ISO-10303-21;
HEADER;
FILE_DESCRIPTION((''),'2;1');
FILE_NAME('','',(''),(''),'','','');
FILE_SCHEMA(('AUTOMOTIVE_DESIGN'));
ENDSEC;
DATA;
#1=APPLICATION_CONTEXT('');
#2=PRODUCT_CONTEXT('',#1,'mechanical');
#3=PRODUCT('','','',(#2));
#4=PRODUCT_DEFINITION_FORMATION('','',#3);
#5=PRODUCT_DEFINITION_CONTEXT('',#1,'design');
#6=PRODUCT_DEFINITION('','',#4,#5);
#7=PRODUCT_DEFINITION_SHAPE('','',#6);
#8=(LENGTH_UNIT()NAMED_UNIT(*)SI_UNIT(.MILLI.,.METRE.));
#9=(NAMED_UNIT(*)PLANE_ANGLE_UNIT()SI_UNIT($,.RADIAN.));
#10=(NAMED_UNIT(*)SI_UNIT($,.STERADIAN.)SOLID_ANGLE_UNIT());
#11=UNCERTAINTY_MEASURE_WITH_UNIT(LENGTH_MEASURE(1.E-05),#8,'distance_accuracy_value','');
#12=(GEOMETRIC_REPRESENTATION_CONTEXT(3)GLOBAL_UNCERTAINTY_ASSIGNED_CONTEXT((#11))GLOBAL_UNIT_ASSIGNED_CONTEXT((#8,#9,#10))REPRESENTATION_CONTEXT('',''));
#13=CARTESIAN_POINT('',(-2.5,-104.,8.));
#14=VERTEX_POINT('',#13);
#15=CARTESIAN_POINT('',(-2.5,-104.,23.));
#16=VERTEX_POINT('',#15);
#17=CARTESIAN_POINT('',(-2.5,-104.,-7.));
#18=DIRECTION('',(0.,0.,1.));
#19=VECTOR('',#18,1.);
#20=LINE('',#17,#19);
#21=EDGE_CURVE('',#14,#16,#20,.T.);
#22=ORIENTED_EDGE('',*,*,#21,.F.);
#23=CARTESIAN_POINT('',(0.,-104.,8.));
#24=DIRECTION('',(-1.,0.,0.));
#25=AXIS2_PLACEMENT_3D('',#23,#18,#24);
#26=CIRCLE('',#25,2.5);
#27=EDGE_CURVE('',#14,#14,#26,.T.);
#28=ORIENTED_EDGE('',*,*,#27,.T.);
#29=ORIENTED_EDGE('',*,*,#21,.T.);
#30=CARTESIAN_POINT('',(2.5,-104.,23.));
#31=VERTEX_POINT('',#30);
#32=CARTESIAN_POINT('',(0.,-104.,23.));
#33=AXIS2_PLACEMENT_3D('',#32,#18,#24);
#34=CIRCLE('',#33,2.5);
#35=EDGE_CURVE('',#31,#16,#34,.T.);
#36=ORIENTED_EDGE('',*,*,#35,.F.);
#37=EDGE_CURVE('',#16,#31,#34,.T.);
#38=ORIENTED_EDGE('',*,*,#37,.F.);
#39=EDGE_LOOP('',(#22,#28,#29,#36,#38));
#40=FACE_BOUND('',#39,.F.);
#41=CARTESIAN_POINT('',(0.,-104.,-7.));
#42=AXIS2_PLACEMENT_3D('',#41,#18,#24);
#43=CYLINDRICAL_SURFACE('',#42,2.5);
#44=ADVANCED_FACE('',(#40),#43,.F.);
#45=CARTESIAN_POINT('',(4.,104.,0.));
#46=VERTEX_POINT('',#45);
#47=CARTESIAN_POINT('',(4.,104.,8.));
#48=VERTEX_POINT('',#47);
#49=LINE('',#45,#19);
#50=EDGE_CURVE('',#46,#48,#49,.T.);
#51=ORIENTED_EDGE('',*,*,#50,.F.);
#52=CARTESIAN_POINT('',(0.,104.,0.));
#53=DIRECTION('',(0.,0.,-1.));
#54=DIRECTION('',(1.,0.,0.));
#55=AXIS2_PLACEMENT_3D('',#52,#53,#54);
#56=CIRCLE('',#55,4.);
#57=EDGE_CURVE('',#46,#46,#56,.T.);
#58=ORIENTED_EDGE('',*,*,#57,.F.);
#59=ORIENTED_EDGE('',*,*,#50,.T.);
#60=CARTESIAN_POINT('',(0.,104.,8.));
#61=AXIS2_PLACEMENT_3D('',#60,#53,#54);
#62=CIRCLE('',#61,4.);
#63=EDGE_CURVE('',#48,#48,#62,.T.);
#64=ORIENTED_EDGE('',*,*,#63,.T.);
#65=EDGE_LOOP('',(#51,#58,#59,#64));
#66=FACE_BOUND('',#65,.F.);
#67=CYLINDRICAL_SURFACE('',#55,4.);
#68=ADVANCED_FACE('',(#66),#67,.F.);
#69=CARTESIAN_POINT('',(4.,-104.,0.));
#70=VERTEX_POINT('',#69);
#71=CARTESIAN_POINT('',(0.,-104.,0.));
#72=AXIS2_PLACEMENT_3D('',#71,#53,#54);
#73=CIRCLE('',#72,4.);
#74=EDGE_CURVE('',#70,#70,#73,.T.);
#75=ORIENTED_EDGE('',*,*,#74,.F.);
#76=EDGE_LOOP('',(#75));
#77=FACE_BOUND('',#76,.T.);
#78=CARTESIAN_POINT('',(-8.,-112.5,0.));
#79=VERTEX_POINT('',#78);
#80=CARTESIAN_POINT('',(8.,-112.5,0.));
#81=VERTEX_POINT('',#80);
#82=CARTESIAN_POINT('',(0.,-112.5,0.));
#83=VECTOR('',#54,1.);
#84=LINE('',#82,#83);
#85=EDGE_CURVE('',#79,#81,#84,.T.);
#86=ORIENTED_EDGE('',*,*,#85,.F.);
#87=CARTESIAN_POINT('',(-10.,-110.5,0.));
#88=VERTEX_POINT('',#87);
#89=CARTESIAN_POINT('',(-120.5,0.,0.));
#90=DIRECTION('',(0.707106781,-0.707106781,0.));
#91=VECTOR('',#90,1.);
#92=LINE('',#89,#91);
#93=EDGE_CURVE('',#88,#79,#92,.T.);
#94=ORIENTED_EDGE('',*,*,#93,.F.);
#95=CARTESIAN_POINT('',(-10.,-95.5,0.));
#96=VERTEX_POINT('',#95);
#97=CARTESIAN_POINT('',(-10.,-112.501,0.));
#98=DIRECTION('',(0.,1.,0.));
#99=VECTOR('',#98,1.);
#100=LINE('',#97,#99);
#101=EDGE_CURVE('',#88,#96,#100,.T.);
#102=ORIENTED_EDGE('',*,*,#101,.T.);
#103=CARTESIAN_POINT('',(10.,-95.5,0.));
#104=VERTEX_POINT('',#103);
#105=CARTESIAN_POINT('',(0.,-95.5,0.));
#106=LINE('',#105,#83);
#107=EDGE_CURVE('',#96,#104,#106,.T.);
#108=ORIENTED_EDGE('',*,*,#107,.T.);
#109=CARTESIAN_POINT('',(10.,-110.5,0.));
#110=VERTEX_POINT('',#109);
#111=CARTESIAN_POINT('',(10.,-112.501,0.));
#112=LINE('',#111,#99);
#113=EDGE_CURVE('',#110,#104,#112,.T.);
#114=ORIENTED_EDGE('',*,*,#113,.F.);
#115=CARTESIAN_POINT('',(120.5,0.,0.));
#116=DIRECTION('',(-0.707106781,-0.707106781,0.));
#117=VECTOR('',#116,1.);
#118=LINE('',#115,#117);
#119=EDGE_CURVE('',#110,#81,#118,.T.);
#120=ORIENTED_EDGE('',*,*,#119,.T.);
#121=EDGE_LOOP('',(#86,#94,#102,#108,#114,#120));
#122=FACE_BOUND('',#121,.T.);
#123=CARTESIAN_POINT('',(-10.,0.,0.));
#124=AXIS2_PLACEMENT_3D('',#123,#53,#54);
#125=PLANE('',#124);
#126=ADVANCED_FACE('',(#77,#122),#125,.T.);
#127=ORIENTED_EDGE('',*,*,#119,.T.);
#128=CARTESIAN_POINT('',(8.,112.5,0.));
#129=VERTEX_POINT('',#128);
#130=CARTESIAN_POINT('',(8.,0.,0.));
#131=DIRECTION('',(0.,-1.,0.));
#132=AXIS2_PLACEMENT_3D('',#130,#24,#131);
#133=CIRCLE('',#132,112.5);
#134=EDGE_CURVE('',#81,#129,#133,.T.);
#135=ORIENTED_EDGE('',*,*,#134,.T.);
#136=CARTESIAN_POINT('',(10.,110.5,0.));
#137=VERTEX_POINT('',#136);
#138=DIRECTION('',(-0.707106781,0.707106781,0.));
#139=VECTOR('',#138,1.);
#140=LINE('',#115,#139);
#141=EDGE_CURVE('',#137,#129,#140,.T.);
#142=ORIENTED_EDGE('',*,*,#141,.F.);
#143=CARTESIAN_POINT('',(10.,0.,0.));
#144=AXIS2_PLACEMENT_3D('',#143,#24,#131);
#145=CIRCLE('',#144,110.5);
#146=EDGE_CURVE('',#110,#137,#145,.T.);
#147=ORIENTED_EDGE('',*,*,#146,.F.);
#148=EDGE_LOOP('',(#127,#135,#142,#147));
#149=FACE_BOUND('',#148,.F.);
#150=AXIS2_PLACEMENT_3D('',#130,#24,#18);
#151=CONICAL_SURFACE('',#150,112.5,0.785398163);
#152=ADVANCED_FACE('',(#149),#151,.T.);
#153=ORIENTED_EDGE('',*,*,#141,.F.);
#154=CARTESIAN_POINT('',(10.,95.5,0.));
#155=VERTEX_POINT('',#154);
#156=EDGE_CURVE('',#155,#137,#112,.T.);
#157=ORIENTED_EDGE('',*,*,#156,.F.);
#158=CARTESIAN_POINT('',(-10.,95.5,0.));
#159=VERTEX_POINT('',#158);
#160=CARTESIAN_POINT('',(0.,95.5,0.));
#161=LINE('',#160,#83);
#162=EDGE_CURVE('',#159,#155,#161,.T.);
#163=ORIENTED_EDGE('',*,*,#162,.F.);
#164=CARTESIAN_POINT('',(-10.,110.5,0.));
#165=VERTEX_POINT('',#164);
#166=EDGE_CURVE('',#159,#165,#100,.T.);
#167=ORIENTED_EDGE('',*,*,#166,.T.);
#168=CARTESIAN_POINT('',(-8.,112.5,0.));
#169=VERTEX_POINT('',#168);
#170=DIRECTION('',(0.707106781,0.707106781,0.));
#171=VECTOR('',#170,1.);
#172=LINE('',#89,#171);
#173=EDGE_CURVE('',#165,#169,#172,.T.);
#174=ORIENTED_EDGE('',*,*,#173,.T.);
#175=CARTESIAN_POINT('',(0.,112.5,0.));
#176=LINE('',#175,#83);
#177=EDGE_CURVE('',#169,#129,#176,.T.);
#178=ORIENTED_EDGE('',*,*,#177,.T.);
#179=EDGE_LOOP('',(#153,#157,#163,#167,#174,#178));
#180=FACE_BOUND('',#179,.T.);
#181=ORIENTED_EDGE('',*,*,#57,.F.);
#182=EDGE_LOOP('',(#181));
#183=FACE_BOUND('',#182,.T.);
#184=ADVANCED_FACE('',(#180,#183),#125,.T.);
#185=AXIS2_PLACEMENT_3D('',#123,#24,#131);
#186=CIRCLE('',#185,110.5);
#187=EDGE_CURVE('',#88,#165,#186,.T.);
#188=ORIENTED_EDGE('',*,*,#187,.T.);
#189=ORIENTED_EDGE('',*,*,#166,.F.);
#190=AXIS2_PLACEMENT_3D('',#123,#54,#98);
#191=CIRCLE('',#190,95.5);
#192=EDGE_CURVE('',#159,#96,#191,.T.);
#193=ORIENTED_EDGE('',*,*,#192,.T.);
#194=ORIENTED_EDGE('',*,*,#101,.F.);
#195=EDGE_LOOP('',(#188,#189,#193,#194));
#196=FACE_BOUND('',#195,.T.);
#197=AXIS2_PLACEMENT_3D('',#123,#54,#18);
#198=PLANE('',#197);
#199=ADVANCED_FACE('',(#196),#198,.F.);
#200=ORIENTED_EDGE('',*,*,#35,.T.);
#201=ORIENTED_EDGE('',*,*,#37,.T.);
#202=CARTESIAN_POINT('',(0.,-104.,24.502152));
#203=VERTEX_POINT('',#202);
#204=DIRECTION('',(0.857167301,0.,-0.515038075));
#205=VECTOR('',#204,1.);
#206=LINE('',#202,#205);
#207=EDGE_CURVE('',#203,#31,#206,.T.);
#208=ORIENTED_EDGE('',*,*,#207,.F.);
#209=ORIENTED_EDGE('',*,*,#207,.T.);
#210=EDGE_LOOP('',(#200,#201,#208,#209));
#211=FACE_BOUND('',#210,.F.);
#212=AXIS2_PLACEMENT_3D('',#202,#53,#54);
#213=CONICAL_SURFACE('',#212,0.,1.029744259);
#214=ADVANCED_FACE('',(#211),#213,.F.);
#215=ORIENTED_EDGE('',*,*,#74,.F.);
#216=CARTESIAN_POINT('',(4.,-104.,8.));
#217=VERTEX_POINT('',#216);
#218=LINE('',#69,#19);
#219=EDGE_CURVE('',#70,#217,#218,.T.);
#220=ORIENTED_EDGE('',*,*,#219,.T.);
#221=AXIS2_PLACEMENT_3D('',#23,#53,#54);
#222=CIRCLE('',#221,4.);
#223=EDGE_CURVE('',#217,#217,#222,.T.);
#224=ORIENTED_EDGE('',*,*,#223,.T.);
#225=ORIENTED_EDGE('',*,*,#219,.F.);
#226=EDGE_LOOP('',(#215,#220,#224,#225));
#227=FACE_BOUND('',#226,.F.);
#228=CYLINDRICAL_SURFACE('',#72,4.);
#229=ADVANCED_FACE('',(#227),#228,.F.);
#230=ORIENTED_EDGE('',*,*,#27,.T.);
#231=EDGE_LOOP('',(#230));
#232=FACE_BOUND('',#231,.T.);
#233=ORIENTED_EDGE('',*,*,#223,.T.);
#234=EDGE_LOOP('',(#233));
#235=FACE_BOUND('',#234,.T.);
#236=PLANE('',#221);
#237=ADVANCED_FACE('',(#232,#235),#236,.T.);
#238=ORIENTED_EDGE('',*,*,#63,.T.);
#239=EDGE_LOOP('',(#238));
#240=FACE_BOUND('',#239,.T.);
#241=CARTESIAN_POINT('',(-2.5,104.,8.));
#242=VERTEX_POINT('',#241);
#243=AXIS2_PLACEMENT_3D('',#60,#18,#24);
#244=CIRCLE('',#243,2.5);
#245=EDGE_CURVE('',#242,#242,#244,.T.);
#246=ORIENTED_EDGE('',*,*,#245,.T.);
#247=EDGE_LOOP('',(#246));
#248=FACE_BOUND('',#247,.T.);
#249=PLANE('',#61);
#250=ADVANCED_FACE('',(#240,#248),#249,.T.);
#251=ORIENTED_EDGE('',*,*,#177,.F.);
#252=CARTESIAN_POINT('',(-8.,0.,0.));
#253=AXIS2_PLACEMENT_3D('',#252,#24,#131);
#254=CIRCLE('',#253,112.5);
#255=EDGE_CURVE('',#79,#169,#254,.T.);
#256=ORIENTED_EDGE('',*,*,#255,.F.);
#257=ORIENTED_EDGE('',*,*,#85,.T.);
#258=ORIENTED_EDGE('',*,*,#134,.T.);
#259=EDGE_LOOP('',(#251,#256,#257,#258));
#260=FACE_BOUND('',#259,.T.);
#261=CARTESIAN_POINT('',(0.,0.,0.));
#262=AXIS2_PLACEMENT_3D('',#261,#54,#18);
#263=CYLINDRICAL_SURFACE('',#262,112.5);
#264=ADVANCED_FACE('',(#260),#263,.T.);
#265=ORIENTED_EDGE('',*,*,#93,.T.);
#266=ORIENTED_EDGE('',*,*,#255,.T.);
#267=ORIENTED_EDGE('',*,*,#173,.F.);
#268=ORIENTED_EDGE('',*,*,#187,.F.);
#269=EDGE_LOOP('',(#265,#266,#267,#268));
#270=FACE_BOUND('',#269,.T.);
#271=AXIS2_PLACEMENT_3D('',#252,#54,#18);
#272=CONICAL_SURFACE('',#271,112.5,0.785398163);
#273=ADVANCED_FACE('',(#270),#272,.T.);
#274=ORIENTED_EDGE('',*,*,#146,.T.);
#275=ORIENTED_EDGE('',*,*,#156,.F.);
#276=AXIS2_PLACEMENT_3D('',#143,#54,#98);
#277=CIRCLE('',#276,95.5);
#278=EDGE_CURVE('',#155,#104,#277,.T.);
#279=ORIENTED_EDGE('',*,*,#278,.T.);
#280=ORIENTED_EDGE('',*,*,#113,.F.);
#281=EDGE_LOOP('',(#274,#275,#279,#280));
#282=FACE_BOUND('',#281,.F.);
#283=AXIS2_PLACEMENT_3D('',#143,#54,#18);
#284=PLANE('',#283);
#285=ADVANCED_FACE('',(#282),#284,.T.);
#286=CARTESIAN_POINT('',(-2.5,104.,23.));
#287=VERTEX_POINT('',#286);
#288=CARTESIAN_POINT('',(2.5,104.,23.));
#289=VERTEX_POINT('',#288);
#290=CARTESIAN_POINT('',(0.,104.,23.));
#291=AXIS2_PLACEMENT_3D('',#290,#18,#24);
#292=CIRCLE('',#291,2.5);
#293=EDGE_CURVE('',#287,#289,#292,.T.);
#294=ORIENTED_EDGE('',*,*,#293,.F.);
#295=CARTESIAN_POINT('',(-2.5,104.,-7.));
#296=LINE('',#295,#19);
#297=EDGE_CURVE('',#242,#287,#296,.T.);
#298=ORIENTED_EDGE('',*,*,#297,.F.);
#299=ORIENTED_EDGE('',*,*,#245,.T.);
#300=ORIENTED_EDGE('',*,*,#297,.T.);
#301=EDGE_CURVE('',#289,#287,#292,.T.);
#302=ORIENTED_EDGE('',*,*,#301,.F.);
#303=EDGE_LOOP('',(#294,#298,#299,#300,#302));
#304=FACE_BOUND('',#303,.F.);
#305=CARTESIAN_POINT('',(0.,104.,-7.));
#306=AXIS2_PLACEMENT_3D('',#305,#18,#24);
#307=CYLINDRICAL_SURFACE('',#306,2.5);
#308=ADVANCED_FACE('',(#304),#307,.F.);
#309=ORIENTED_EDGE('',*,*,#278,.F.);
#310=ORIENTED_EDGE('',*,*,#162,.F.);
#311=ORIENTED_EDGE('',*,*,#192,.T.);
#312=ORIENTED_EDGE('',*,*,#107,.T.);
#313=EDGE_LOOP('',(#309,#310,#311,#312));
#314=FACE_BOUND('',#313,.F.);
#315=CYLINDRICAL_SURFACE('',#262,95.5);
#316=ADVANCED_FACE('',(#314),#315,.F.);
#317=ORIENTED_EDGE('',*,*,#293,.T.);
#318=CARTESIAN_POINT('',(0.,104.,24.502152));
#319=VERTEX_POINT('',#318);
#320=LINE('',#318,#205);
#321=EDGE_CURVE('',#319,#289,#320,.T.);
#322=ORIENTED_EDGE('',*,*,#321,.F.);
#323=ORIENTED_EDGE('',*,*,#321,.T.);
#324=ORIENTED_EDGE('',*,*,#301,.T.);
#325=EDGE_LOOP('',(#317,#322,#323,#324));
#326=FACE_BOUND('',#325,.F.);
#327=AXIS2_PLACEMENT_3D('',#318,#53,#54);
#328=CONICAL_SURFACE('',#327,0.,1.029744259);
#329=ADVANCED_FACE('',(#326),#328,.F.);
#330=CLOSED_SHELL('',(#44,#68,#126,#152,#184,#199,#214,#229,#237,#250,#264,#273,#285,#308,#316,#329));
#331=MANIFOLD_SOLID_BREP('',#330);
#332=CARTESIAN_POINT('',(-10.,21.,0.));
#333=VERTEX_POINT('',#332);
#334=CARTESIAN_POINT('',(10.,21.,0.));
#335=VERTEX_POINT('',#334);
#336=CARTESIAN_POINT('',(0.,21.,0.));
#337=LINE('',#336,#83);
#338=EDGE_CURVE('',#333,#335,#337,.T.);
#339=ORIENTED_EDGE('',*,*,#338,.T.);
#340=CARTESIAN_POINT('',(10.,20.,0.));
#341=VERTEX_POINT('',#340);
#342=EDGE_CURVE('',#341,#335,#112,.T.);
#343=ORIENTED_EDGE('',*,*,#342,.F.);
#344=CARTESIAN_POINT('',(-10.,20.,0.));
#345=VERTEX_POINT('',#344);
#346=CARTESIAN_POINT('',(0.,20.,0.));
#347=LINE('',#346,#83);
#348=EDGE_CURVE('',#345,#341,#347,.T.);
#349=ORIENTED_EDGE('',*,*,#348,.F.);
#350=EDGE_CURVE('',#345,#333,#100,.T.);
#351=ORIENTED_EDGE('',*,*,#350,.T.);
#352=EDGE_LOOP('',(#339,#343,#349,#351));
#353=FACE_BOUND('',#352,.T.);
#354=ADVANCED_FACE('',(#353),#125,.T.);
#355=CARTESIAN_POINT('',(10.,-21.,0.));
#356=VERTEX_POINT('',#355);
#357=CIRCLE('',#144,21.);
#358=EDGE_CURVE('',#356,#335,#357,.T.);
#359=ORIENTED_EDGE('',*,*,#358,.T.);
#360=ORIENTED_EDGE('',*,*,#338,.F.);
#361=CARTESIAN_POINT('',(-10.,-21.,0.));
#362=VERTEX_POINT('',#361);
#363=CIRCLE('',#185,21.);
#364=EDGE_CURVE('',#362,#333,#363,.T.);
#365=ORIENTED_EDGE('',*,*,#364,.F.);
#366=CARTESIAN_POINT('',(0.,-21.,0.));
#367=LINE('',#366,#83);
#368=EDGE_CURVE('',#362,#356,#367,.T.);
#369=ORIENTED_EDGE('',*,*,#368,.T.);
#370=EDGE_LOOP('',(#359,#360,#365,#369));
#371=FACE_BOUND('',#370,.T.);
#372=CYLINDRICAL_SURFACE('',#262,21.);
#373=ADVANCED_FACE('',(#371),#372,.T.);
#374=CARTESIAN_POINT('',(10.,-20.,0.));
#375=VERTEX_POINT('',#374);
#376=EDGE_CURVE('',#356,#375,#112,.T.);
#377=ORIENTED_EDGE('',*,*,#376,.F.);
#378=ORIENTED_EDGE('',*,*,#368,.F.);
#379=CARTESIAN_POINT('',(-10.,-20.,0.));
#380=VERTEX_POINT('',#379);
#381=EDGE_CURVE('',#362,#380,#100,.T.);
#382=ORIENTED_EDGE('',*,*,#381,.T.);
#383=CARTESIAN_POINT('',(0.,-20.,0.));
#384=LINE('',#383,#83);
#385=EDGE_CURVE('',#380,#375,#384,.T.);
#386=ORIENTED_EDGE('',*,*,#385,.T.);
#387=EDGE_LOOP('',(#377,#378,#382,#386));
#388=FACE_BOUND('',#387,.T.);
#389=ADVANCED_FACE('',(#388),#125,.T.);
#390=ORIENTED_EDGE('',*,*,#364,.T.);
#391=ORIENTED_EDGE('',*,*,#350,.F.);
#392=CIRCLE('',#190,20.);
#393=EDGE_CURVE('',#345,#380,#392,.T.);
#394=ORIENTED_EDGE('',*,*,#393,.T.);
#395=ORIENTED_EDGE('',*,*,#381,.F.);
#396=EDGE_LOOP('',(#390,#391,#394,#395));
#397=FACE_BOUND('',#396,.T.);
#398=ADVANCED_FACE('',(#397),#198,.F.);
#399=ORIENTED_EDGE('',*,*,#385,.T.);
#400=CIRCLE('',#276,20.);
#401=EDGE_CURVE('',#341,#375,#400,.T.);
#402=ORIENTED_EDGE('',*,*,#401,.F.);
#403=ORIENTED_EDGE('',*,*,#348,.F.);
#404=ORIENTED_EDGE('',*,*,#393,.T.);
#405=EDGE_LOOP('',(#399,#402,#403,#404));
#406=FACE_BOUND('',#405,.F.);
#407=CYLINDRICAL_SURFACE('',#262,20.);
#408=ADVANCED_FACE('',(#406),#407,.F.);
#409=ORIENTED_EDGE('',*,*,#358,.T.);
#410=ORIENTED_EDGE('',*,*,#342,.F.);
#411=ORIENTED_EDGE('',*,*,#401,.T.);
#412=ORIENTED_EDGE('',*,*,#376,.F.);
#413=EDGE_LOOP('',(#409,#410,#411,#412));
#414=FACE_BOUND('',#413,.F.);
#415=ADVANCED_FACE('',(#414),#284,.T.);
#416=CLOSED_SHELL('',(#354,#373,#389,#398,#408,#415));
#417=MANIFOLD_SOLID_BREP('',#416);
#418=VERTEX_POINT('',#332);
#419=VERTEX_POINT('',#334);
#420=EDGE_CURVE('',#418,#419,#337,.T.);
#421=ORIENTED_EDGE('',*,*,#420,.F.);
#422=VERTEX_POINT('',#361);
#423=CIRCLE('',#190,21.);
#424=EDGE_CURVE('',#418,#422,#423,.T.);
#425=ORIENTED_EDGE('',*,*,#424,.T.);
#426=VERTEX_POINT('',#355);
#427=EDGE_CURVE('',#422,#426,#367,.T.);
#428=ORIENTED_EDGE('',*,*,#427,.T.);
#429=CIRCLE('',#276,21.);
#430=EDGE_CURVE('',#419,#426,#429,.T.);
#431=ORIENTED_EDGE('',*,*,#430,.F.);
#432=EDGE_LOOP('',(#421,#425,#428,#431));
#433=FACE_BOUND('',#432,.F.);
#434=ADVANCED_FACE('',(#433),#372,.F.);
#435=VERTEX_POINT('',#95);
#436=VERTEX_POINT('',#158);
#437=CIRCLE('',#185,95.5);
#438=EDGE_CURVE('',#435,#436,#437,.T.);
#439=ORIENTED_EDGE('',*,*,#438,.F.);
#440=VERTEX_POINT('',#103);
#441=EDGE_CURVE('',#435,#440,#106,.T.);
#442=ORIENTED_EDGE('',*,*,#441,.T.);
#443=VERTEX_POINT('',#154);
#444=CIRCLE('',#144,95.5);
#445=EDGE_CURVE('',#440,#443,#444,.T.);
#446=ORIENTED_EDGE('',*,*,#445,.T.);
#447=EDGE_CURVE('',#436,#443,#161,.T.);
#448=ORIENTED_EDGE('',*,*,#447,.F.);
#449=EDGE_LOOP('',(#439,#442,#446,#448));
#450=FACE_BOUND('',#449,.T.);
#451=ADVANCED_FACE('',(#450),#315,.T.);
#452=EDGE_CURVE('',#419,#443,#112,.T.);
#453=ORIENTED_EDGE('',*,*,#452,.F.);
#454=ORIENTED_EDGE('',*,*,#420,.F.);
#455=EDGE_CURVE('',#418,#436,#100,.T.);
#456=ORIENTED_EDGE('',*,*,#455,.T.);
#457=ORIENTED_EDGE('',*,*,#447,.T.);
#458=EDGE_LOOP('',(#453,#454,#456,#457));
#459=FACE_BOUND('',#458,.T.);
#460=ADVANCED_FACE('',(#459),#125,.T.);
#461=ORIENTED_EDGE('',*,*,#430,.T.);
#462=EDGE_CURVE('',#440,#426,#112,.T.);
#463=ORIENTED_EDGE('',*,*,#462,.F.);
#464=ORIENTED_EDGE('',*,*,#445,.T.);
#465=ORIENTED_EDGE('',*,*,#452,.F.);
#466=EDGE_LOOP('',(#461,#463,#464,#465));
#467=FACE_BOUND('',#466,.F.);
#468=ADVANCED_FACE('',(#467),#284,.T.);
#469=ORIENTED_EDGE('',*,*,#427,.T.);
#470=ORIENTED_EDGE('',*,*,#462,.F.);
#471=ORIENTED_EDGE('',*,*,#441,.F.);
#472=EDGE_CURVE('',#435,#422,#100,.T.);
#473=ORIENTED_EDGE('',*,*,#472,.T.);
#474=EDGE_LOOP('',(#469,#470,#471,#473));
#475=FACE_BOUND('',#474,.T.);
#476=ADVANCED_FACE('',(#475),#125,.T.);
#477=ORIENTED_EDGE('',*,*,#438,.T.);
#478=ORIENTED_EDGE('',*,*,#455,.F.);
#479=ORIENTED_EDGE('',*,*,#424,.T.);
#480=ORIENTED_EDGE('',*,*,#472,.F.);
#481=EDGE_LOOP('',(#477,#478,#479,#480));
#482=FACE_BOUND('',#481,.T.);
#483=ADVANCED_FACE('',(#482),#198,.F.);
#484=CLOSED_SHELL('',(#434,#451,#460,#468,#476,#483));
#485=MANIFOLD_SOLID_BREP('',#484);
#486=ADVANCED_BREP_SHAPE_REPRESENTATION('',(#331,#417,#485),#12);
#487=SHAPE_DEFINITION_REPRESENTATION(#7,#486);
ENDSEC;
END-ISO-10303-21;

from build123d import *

# Parameters (mm, degrees)
F0_W           = 20
F0_H           = 1
F2_W           = 20
F2_H           = 74.5
F4_W           = 20
F4_H           = 17
F8_SIZE        = 2
F9_W           = 20
F9_H           = 115
F10_DEPTH      = 112.501
F10_DEPTH_BACK = 112.501
F11_R          = 4
F12_DEPTH      = 8
F14_D          = 5
F14_DEPTH      = 15
F14_TIP        = 1.5021515476


with BuildPart() as f1:
    # F0 (on Front) → F1 (revolve)
    with BuildSketch(Plane.XZ):
        with Locations((0, 20.5)):
            Rectangle(F0_W, F0_H)
    revolve(axis=Axis((0, 0, 0), (1, 0, 0)))


with BuildPart() as f3:
    # F2 (on Front) → F3 (revolve)
    with BuildSketch(Plane.XZ):
        with Locations((0, 58.25)):
            Rectangle(F2_W, F2_H)
    revolve(axis=Axis((0, 0, 0), (1, 0, 0)))


with BuildPart() as f5:
    # F4 (on Front) → F5 (revolve)
    with BuildSketch(Plane.XZ):
        with Locations((0, 104)):
            Rectangle(F4_W, F4_H)
    revolve(axis=Axis((0, 0, 0), (1, 0, 0)))

    # F8
    f8_edges = [f5.edges().sort_by_distance(p)[0] for p in [
        (10, 0, -112.5),
        (-10, 0, -112.5),
    ]]
    chamfer(f8_edges, length=F8_SIZE)


with BuildPart() as f10_tool:
    # F9 (on Front) → F10 (new body, two sides)
    with BuildSketch(Plane.XZ) as f10_sk:
        with Locations((0, -57.5)):
            Rectangle(F9_W, F9_H)
    extrude(amount=F10_DEPTH)
    extrude(f10_sk.sketch, amount=-F10_DEPTH_BACK)


with BuildPart() as f1_1:
    add(f1.part)

    # F10: cut by f10_tool
    add(f10_tool.part, mode=Mode.SUBTRACT)


with BuildPart() as f3_1:
    add(f3.part)

    # F10: cut by f10_tool
    add(f10_tool.part, mode=Mode.SUBTRACT)


with BuildPart() as f5_1:
    add(f5.part)

    # F10: cut by f10_tool
    add(f10_tool.part, mode=Mode.SUBTRACT)

    # F11 (on face) → F12 (cut)
    with BuildSketch(Plane(origin=(0, 0, 0), x_dir=(1, 0, 0), z_dir=(0, 0, -1))):
        with Locations((0, 104)):
            Circle(F11_R)
        with Locations((0, -104)):
            Circle(F11_R)
    extrude(amount=-F12_DEPTH, mode=Mode.SUBTRACT)

    # F14
    with Locations(Plane(origin=(0, 0, 8), x_dir=(1, 0, 0), z_dir=(0, 0, -1))):
        with Locations((0, 104), (0, -104)):
            Hole(F14_D / 2, depth=F14_DEPTH)
            with Locations((0, 0, -(F14_DEPTH + F14_TIP / 2))):  # 118° drill point
                Cone(0, F14_D / 2, F14_TIP, mode=Mode.SUBTRACT)


solid = Compound([f1_1.part, f3_1.part, f5_1.part])
